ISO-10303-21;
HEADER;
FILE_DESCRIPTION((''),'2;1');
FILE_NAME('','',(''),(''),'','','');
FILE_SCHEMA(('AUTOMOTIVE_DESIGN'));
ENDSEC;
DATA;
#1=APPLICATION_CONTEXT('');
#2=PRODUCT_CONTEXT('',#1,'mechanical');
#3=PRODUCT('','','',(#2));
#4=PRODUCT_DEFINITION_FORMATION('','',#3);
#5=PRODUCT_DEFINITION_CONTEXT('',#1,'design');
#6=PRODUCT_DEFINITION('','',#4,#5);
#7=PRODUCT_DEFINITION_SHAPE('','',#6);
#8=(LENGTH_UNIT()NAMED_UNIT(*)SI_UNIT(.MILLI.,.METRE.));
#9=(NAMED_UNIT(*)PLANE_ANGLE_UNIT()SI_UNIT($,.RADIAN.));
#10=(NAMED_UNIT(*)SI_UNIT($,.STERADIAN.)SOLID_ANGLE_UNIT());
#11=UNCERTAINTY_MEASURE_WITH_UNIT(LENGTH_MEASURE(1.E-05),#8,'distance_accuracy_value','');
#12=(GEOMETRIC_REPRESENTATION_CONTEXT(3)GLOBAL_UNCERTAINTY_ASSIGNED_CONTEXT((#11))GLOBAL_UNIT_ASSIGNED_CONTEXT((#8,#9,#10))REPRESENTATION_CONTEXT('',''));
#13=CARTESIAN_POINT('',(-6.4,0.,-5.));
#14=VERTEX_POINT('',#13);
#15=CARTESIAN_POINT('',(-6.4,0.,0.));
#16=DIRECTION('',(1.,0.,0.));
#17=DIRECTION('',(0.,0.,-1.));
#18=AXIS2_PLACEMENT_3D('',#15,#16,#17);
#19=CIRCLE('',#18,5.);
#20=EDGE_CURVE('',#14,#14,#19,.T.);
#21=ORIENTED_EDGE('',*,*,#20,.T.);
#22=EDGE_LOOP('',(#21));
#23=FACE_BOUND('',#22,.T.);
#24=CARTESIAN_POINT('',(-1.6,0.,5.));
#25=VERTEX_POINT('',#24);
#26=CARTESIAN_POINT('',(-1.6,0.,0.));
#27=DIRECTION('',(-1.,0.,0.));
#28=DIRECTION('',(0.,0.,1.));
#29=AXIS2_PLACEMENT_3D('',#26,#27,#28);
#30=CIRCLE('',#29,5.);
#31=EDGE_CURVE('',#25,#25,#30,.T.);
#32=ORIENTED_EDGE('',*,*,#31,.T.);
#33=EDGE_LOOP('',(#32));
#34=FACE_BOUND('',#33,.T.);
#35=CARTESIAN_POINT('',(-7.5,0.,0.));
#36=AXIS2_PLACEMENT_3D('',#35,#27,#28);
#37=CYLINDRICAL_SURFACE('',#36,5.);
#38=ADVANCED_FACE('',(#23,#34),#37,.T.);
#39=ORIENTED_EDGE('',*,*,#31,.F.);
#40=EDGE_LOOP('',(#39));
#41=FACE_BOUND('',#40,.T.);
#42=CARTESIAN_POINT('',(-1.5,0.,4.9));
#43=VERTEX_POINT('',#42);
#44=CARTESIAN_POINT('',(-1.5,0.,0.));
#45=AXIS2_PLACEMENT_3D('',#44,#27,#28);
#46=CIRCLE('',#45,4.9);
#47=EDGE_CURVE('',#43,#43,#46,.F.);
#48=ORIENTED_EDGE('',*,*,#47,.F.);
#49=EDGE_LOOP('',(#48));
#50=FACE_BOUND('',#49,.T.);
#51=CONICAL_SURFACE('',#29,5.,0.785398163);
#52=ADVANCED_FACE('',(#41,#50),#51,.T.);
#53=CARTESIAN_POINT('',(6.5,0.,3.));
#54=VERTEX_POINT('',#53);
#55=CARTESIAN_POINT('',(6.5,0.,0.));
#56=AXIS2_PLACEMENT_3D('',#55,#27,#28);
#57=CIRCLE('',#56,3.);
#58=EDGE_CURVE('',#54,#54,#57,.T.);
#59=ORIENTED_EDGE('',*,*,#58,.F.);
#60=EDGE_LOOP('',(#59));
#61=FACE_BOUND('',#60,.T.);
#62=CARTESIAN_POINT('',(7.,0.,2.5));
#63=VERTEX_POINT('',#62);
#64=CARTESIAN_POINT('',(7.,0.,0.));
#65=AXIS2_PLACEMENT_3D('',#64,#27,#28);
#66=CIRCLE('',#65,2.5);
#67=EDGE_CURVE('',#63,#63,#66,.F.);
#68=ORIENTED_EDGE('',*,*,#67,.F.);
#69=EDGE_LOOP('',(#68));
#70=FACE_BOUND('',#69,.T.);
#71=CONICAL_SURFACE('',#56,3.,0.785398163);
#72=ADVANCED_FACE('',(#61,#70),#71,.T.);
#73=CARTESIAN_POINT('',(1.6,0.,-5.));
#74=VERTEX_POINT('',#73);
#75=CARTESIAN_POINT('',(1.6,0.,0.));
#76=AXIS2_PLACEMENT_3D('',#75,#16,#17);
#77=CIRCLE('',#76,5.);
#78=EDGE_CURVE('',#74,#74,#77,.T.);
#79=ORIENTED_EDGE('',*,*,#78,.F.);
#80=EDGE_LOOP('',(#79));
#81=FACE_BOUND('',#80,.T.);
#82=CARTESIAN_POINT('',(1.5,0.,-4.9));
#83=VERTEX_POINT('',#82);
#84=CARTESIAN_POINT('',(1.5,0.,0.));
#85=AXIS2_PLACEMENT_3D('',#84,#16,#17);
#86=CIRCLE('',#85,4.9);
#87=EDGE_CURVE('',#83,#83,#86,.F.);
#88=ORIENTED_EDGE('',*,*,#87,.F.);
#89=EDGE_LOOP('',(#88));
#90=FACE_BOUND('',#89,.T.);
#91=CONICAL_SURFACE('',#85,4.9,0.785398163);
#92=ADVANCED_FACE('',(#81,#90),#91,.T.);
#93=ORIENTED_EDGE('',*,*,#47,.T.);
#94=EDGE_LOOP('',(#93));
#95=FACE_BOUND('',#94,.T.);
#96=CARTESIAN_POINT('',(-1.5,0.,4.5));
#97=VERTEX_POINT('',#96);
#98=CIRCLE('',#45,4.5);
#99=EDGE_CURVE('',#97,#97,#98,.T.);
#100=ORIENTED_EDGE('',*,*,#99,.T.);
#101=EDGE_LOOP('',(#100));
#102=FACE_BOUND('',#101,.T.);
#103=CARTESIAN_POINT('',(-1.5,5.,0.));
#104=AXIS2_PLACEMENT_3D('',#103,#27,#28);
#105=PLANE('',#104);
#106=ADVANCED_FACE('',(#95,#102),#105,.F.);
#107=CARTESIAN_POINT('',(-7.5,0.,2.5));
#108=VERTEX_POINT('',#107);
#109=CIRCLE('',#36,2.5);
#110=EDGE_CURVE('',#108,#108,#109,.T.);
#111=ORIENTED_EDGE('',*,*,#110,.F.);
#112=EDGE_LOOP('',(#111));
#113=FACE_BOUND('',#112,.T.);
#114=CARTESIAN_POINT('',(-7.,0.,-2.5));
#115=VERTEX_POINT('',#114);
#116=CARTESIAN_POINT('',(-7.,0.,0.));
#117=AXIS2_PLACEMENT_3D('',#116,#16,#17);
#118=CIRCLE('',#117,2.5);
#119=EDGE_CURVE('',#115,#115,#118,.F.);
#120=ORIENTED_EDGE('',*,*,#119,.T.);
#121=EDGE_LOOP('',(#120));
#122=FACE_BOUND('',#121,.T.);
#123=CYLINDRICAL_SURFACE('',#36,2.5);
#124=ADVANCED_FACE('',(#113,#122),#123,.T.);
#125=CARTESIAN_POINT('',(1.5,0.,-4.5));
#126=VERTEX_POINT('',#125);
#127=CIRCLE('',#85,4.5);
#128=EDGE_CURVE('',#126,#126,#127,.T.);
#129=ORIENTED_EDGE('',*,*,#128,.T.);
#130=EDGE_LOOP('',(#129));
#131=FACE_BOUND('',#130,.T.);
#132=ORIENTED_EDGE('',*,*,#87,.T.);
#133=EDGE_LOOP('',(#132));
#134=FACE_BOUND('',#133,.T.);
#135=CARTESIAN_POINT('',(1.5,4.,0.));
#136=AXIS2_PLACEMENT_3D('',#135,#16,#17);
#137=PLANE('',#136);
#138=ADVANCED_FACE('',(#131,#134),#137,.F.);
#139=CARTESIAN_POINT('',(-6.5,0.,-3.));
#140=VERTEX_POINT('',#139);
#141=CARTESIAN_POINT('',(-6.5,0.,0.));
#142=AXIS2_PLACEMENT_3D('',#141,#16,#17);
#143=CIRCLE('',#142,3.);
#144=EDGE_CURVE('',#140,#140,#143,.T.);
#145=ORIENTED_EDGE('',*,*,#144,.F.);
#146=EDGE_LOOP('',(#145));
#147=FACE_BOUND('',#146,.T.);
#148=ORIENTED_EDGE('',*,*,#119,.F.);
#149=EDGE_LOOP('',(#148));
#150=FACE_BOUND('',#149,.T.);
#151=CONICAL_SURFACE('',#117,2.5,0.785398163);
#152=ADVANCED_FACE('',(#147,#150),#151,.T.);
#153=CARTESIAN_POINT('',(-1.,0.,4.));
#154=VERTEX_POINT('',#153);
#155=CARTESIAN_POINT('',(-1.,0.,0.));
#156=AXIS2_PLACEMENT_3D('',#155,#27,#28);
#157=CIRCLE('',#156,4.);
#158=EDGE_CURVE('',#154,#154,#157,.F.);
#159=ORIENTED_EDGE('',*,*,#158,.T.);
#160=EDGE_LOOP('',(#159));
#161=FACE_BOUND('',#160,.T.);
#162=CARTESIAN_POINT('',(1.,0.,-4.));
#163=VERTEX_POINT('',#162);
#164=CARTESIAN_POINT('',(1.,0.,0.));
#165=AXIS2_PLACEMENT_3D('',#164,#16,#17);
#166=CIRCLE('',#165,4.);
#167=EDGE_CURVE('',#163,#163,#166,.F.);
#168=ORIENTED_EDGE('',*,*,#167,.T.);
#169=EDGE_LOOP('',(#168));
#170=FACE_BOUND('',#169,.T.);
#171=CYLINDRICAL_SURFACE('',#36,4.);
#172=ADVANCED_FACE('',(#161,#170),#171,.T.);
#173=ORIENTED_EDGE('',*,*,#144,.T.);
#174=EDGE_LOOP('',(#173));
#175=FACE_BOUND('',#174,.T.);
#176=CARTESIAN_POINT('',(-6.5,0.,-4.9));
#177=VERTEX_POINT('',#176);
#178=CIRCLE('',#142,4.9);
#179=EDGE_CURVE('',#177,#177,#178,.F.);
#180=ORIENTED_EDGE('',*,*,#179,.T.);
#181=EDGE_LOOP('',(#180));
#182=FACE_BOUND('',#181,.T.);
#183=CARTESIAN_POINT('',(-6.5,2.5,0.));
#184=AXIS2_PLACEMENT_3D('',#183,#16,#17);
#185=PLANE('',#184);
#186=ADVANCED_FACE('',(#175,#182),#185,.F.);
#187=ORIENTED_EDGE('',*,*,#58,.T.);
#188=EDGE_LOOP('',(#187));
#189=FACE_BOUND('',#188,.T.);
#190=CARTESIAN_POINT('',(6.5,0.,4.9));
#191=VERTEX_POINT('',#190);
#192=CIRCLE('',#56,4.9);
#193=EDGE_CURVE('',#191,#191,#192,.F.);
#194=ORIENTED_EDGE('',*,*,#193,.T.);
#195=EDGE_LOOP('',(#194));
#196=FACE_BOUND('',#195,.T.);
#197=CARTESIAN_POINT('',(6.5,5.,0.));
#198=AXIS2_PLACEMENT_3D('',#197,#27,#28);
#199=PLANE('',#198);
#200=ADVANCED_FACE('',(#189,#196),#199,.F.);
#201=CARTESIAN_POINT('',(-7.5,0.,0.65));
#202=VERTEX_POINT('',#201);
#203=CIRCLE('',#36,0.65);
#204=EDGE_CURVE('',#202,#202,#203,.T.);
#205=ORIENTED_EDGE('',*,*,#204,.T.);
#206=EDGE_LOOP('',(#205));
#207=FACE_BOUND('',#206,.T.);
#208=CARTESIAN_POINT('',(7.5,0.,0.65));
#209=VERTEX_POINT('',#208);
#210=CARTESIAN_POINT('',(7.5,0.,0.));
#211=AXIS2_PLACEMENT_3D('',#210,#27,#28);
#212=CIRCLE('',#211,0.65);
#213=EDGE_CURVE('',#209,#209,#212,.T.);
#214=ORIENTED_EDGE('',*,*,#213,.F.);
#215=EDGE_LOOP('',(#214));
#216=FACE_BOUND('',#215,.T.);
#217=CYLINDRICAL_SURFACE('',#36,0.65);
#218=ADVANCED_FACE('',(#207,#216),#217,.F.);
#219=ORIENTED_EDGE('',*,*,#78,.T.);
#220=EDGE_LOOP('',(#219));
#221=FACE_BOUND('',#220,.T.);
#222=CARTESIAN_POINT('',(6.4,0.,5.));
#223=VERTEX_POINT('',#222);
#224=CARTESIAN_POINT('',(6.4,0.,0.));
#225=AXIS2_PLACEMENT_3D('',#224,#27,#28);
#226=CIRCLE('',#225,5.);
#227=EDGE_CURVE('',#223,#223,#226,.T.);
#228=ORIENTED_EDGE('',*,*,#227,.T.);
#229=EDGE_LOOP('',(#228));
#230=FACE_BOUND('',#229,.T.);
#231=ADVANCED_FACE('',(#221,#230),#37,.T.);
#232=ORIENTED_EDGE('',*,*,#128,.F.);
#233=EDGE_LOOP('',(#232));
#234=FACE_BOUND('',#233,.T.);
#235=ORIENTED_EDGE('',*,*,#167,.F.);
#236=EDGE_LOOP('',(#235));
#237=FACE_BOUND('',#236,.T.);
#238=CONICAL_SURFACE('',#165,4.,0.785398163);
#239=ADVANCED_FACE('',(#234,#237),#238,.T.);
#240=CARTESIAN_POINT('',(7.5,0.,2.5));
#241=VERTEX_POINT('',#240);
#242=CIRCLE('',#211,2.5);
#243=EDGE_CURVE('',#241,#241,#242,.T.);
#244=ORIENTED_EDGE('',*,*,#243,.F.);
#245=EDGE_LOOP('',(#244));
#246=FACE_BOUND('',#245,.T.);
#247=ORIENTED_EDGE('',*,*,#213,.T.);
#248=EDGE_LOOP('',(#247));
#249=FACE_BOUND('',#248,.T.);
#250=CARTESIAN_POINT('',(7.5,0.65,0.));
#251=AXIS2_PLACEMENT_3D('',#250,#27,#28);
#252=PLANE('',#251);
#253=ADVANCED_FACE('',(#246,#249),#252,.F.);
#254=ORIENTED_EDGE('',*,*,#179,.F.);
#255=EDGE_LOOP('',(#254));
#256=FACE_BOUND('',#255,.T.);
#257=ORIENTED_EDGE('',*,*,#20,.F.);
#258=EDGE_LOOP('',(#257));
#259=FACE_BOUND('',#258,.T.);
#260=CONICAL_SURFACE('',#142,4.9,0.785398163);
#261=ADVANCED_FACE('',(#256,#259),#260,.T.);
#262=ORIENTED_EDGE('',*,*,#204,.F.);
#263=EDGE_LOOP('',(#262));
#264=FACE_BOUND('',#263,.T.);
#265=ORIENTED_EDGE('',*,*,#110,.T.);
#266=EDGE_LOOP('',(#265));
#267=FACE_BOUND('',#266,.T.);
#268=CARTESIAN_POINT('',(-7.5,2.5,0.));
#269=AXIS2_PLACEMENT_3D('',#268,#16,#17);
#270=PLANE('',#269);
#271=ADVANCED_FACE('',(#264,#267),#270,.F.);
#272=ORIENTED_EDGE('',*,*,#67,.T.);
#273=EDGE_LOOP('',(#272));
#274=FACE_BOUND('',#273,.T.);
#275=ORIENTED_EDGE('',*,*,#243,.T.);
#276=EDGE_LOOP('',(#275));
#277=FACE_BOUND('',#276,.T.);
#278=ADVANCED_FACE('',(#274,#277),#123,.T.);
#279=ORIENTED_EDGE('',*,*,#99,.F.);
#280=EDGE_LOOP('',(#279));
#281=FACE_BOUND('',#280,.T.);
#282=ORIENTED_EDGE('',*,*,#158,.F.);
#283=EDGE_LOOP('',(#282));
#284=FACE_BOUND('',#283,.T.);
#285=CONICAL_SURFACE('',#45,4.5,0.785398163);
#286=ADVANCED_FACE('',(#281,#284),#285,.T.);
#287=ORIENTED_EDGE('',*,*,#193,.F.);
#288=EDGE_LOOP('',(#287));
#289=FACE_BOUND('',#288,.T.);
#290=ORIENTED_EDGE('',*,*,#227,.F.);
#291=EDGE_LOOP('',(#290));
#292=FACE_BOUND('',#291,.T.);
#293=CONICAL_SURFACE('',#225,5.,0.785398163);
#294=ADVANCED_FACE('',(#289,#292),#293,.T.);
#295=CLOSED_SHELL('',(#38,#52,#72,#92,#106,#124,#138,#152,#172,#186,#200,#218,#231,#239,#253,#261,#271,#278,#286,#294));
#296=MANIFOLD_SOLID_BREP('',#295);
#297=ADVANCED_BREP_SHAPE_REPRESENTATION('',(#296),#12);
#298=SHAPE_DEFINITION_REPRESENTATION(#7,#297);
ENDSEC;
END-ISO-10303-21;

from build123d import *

# Parameters (mm, degrees)
FASE1_SIZE = 0.5
FASE2_SIZE = 0.1


with BuildPart() as part:
    # Skizze1 → Rotation1 (revolve)
    with BuildSketch(Plane.XY, mode=Mode.PRIVATE) as rotation1_sk:
        Polygon((-7.5, 2.5), (-6.5, 2.5), (-6.5, 5), (-1.5, 5), (-1.5, 4), (1.5, 4), (1.5, 5), (6.5, 5), (6.5, 2.5), (7.5, 2.5), (7.5, 0.65), (-7.5, 0.65), align=None)
    revolve(rotation1_sk.sketch.rotate(Axis((-7.5, 0, 0), (1, 0, 0)), 90), axis=Axis((-7.5, 0, 0), (1, 0, 0)))

    # Fase1
    fase1_edges = [part.edges().sort_by_distance(p)[0] for p in [
        (6.5, 0, -2.5),
        (1.5, 0, -4),
        (-1.5, 0, -4),
        (-6.5, 0, -2.5),
    ]]
    chamfer(fase1_edges, length=FASE1_SIZE)

    # Fase2
    fase2_edges = [part.edges().sort_by_distance(p)[0] for p in [
        (6.5, 0, -5),
        (1.5, 0, -5),
        (-1.5, 0, -5),
        (-6.5, 0, -5),
    ]]
    chamfer(fase2_edges, length=FASE2_SIZE)


solid = part.part
